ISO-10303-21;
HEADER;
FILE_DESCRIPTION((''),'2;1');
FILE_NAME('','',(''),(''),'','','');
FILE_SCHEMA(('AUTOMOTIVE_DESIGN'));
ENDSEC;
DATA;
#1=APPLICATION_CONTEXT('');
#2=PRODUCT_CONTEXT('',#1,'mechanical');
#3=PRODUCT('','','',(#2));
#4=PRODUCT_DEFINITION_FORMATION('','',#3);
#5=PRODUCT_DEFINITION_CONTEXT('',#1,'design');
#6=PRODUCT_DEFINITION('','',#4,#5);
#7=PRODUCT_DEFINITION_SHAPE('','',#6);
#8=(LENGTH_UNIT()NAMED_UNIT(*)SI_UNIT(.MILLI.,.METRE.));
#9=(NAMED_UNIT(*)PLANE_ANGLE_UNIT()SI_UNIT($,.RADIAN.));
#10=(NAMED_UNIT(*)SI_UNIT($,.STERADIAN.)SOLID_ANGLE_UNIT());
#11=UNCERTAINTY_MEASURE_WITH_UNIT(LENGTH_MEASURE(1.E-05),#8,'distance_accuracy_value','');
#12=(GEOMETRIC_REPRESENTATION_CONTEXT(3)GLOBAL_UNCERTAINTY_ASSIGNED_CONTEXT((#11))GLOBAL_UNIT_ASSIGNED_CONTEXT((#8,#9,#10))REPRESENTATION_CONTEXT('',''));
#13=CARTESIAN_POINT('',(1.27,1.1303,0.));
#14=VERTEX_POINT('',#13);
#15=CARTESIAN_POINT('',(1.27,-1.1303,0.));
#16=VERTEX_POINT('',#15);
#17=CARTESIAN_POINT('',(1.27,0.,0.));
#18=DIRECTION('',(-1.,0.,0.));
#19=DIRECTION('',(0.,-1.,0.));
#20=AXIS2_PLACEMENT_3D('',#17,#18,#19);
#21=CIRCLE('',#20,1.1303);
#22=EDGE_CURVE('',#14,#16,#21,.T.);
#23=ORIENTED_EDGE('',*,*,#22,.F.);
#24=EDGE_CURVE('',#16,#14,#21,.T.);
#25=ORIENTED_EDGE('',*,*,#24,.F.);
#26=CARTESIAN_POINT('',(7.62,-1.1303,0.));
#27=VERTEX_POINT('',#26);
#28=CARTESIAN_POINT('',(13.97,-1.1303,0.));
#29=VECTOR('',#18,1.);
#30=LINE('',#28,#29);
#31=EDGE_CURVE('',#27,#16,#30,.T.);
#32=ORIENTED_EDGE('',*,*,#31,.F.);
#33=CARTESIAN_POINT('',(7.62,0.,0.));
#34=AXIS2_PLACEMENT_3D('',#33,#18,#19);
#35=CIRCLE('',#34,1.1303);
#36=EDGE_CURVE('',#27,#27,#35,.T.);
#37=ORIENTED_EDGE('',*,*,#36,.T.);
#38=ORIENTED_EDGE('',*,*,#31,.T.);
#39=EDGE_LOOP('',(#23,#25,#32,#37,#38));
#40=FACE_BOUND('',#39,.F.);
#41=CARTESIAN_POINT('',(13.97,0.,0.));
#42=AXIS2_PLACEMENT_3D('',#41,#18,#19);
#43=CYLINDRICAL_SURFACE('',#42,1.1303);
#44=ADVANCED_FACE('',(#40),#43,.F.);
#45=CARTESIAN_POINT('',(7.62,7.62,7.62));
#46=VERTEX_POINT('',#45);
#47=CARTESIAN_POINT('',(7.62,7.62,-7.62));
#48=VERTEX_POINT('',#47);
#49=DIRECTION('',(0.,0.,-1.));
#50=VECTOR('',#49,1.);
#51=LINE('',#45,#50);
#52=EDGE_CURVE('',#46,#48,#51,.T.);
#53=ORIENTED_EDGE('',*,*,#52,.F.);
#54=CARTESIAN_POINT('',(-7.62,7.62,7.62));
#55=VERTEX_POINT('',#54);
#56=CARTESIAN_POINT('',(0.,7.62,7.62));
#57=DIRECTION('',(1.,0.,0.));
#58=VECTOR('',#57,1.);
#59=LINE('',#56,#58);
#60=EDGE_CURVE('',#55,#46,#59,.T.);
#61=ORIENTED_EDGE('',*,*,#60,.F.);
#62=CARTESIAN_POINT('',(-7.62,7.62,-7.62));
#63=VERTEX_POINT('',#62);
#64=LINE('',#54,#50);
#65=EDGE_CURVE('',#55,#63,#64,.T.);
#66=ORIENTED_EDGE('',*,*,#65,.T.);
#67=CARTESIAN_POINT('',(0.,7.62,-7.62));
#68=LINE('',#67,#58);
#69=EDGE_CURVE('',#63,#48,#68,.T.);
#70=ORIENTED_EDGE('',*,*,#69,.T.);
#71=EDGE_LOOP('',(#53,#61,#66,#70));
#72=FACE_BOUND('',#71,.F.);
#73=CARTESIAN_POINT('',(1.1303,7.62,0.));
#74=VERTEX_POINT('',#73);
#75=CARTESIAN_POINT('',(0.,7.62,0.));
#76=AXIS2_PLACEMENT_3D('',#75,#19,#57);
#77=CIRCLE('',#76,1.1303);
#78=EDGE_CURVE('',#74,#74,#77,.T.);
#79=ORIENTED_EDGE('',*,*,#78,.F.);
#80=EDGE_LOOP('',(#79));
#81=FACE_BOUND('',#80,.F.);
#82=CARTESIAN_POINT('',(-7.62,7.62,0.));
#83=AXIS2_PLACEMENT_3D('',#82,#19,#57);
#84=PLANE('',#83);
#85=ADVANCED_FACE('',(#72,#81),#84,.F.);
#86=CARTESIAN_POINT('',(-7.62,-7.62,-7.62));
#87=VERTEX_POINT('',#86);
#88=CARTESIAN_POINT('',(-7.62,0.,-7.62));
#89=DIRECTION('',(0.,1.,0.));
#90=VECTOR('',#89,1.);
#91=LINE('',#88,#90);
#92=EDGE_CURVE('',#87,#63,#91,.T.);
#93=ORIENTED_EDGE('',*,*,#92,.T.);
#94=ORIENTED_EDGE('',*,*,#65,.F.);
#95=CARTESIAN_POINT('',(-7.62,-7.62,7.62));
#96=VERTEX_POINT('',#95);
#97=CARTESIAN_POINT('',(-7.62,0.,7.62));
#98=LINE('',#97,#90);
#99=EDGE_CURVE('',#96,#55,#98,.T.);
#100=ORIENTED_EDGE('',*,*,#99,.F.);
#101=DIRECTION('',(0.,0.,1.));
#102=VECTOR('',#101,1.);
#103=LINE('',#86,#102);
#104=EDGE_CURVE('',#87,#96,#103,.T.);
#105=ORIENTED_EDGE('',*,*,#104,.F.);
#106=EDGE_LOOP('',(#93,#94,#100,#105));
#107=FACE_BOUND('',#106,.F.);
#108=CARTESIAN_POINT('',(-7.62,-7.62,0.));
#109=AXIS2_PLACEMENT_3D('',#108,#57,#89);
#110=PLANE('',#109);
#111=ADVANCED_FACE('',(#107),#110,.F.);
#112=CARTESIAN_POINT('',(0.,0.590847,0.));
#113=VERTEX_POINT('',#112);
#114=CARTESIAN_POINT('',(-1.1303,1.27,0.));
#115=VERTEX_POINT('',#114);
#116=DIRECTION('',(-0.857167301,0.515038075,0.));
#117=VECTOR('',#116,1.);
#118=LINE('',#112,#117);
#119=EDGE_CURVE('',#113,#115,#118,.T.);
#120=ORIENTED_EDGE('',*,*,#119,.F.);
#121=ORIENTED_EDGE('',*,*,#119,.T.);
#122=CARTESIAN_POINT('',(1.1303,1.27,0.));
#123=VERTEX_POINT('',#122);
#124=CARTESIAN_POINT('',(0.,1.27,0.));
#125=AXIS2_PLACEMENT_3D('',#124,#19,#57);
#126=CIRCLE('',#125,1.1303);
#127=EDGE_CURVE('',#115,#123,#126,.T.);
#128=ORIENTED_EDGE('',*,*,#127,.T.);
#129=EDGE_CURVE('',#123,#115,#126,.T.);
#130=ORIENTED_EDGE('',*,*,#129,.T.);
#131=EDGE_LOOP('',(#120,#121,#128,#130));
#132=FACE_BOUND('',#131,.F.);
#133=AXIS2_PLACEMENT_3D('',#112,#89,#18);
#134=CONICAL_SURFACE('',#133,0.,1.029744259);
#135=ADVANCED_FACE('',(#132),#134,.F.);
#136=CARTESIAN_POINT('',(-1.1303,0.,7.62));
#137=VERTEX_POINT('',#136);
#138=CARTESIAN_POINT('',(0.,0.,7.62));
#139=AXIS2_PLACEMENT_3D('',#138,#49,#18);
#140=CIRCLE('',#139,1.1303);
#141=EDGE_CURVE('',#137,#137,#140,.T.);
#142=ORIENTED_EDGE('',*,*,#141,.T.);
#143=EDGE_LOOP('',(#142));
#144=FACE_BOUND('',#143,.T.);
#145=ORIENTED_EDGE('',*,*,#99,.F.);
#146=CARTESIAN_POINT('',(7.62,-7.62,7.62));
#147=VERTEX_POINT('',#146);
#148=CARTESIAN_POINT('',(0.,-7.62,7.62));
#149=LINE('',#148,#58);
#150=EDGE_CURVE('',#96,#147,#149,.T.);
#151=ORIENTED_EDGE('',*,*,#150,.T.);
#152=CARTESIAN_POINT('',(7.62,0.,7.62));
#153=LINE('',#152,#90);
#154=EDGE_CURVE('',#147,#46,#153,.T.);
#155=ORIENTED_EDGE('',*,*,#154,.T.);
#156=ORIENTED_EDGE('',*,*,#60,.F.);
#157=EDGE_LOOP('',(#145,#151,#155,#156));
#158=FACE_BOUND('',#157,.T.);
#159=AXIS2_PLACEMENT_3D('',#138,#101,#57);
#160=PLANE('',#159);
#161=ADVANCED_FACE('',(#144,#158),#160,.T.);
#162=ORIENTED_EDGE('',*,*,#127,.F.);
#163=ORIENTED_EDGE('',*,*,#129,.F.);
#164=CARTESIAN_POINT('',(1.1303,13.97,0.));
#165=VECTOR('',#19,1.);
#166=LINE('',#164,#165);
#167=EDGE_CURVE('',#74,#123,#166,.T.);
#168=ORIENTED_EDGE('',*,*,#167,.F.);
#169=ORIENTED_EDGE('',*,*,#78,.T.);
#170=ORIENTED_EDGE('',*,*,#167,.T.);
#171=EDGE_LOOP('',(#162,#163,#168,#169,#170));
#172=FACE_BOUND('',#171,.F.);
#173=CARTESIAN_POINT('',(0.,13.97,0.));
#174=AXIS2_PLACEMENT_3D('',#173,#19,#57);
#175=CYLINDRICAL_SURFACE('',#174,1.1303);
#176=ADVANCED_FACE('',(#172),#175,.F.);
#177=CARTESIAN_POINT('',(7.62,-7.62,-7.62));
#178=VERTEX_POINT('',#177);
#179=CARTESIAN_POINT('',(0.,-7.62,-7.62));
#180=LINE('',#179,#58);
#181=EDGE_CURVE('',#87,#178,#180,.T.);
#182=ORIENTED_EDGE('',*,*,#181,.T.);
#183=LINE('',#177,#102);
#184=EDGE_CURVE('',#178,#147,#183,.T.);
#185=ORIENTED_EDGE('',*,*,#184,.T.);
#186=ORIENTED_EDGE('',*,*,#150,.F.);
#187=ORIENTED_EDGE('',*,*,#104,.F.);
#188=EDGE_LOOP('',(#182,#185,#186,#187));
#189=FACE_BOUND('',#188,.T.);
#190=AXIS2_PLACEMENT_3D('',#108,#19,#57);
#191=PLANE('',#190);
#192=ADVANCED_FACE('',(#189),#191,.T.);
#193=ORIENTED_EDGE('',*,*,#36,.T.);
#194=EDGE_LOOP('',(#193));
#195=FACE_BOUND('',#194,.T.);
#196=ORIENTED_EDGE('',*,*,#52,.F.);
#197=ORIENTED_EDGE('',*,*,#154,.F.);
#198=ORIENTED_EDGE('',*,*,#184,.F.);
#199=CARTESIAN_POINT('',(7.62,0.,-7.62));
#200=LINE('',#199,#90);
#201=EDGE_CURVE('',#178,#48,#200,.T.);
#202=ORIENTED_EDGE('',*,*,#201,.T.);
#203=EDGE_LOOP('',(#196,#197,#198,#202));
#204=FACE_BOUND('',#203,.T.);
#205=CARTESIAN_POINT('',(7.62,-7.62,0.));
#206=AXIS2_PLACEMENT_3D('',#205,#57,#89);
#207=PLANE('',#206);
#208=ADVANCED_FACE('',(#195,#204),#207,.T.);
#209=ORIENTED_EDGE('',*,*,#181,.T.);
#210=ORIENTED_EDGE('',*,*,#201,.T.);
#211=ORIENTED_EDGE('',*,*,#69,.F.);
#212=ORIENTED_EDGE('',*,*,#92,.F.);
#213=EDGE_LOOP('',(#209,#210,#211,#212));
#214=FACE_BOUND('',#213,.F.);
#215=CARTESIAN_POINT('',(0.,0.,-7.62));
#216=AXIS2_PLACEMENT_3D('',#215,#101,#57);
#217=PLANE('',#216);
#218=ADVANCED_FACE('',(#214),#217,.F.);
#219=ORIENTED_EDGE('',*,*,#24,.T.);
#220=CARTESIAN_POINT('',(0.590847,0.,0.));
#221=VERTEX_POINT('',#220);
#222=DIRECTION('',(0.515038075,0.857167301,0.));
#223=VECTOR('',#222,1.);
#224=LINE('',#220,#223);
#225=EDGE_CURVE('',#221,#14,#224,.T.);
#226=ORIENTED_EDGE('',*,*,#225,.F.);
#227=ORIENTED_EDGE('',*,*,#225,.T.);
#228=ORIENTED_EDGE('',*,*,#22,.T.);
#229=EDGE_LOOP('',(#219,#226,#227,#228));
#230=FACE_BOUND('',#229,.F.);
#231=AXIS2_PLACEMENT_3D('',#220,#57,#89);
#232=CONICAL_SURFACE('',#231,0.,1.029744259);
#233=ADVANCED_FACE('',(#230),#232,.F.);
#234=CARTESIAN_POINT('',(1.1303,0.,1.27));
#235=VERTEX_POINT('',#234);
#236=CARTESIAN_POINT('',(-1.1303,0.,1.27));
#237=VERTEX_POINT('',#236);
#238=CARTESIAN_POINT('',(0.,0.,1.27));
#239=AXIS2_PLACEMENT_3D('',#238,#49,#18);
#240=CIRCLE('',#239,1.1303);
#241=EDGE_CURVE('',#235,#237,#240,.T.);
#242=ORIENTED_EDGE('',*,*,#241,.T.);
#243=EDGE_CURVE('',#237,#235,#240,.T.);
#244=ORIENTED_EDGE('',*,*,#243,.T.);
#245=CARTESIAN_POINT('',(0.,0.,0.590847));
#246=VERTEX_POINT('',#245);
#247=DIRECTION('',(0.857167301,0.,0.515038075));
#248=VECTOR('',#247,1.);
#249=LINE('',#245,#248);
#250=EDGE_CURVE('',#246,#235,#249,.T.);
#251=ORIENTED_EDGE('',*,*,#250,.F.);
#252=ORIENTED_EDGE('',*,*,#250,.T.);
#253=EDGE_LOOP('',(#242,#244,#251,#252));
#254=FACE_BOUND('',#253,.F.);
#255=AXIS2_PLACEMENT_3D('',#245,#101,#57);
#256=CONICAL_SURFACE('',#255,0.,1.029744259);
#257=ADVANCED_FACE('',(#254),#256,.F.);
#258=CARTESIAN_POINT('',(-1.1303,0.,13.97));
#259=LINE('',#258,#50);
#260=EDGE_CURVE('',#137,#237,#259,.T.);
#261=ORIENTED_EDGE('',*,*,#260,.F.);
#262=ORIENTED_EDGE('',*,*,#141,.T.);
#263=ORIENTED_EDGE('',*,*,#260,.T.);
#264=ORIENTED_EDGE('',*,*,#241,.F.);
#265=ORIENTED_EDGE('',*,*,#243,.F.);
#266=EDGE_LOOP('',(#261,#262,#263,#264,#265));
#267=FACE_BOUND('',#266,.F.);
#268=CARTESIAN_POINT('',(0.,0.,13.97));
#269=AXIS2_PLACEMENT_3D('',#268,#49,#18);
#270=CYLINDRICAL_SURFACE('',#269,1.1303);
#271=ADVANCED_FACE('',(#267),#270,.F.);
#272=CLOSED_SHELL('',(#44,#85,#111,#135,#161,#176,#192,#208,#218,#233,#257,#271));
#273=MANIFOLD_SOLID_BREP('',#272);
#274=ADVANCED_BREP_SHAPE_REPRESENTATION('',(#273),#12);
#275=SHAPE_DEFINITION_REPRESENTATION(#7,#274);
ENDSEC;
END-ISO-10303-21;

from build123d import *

# Parameters (mm, degrees)
F0_W     = 15.24
F0_H     = 15.24
F1_DEPTH = 7.62
F3_D     = 2.2606
F3_DEPTH = 6.35
F3_TIP   = 0.6791527577
F6_D     = 2.2606
F6_DEPTH = 6.35
F6_TIP   = 0.6791527577
F7_D     = 2.2606
F7_DEPTH = 6.35
F7_TIP   = 0.6791527577


with BuildPart() as f1:
    # F0 (on Top) → F1 (new body, symmetric)
    with BuildSketch(Plane.XY):
        Rectangle(F0_W, F0_H)
    extrude(amount=F1_DEPTH, both=True)

    # F3
    with Locations(Plane.YZ.offset(7.62)):
        with Locations((0, 0)):
            Hole(F3_D / 2, depth=F3_DEPTH)
            with Locations((0, 0, -(F3_DEPTH + F3_TIP / 2))):  # 118° drill point
                Cone(0, F3_D / 2, F3_TIP, mode=Mode.SUBTRACT)

    # F6
    with Locations(Plane.XY.offset(7.62)):
        with Locations((0, 0)):
            Hole(F6_D / 2, depth=F6_DEPTH)
            with Locations((0, 0, -(F6_DEPTH + F6_TIP / 2))):  # 118° drill point
                Cone(0, F6_D / 2, F6_TIP, mode=Mode.SUBTRACT)

    # F7
    with Locations(Plane(origin=(0, 7.62, 0), x_dir=(-1, 0, 0), z_dir=(0, 1, 0))):
        with Locations((0, 0)):
            Hole(F7_D / 2, depth=F7_DEPTH)
            with Locations((0, 0, -(F7_DEPTH + F7_TIP / 2))):  # 118° drill point
                Cone(0, F7_D / 2, F7_TIP, mode=Mode.SUBTRACT)


solid = f1.part
